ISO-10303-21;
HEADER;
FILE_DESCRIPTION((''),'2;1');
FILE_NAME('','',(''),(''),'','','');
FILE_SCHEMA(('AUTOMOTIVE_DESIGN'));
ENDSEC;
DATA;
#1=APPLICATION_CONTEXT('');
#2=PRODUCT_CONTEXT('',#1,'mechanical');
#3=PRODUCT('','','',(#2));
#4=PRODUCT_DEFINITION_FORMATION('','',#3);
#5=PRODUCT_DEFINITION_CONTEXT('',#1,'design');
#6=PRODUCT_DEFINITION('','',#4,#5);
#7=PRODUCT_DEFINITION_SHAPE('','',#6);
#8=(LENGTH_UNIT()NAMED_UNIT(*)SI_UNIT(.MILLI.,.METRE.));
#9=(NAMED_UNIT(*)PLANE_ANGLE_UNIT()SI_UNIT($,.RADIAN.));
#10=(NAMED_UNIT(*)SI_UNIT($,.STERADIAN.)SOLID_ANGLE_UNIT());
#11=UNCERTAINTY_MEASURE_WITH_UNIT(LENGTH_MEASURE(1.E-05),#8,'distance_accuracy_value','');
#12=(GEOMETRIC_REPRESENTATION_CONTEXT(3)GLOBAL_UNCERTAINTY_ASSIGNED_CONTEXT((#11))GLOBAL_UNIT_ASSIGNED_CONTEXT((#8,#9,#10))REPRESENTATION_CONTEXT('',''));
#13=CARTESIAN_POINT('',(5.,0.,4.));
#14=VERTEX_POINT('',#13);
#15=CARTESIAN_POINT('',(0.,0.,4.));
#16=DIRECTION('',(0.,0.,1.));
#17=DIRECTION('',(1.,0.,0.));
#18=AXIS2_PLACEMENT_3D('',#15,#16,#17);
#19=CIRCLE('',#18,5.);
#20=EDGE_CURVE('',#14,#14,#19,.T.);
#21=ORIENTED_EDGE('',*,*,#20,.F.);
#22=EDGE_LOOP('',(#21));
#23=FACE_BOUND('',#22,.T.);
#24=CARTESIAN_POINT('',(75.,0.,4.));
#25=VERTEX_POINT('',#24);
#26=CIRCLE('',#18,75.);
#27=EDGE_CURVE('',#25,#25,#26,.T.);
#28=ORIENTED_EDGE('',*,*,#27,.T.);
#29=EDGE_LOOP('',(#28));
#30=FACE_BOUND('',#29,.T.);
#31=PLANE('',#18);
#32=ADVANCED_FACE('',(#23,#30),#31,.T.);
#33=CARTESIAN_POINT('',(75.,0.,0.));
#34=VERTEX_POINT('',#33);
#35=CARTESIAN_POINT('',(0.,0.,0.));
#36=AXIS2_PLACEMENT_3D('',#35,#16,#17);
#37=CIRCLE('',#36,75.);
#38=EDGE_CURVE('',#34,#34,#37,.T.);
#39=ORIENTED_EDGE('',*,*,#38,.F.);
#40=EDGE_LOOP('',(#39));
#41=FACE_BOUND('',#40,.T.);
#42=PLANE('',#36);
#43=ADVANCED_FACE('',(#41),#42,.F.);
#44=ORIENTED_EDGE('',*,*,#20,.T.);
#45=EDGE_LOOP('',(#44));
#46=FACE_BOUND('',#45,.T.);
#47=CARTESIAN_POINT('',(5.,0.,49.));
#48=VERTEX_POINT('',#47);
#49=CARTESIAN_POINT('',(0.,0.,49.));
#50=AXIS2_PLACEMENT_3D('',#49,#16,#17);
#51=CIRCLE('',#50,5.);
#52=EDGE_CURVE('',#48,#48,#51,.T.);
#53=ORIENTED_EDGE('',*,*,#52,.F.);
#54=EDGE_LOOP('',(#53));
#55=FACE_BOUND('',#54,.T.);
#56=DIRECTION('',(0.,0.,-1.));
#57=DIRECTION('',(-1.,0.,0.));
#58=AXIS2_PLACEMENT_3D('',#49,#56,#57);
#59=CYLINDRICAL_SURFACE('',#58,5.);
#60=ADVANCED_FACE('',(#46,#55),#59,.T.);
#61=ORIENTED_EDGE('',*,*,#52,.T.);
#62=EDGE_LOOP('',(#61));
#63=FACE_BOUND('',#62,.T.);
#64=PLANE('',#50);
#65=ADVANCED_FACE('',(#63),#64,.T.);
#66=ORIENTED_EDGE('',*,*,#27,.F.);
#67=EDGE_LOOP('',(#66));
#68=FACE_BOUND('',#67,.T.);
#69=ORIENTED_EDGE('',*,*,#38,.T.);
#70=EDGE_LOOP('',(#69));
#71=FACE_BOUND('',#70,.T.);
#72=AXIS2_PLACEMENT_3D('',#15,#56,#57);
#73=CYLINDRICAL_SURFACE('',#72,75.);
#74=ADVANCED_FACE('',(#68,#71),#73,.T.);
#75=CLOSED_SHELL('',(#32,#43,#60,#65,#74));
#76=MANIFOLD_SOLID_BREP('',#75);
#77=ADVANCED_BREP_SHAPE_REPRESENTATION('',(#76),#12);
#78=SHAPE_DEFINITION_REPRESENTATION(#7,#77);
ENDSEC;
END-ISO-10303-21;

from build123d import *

# Parameters (mm, degrees)
SKETCH2_R           = 75
BOSS_EXTRUDE1_DEPTH = 4
SKETCH3_R           = 5
BOSS_EXTRUDE2_DEPTH = 45


with BuildPart() as part:
    # Sketch2 → Boss-Extrude1 (new body)
    with BuildSketch(Plane.XY):
        Circle(SKETCH2_R)
    extrude(amount=BOSS_EXTRUDE1_DEPTH)

    # Sketch3 → Boss-Extrude2 (add)
    with BuildSketch(Plane.XY.offset(4)):
        Circle(SKETCH3_R)
    extrude(amount=BOSS_EXTRUDE2_DEPTH)


solid = part.part
